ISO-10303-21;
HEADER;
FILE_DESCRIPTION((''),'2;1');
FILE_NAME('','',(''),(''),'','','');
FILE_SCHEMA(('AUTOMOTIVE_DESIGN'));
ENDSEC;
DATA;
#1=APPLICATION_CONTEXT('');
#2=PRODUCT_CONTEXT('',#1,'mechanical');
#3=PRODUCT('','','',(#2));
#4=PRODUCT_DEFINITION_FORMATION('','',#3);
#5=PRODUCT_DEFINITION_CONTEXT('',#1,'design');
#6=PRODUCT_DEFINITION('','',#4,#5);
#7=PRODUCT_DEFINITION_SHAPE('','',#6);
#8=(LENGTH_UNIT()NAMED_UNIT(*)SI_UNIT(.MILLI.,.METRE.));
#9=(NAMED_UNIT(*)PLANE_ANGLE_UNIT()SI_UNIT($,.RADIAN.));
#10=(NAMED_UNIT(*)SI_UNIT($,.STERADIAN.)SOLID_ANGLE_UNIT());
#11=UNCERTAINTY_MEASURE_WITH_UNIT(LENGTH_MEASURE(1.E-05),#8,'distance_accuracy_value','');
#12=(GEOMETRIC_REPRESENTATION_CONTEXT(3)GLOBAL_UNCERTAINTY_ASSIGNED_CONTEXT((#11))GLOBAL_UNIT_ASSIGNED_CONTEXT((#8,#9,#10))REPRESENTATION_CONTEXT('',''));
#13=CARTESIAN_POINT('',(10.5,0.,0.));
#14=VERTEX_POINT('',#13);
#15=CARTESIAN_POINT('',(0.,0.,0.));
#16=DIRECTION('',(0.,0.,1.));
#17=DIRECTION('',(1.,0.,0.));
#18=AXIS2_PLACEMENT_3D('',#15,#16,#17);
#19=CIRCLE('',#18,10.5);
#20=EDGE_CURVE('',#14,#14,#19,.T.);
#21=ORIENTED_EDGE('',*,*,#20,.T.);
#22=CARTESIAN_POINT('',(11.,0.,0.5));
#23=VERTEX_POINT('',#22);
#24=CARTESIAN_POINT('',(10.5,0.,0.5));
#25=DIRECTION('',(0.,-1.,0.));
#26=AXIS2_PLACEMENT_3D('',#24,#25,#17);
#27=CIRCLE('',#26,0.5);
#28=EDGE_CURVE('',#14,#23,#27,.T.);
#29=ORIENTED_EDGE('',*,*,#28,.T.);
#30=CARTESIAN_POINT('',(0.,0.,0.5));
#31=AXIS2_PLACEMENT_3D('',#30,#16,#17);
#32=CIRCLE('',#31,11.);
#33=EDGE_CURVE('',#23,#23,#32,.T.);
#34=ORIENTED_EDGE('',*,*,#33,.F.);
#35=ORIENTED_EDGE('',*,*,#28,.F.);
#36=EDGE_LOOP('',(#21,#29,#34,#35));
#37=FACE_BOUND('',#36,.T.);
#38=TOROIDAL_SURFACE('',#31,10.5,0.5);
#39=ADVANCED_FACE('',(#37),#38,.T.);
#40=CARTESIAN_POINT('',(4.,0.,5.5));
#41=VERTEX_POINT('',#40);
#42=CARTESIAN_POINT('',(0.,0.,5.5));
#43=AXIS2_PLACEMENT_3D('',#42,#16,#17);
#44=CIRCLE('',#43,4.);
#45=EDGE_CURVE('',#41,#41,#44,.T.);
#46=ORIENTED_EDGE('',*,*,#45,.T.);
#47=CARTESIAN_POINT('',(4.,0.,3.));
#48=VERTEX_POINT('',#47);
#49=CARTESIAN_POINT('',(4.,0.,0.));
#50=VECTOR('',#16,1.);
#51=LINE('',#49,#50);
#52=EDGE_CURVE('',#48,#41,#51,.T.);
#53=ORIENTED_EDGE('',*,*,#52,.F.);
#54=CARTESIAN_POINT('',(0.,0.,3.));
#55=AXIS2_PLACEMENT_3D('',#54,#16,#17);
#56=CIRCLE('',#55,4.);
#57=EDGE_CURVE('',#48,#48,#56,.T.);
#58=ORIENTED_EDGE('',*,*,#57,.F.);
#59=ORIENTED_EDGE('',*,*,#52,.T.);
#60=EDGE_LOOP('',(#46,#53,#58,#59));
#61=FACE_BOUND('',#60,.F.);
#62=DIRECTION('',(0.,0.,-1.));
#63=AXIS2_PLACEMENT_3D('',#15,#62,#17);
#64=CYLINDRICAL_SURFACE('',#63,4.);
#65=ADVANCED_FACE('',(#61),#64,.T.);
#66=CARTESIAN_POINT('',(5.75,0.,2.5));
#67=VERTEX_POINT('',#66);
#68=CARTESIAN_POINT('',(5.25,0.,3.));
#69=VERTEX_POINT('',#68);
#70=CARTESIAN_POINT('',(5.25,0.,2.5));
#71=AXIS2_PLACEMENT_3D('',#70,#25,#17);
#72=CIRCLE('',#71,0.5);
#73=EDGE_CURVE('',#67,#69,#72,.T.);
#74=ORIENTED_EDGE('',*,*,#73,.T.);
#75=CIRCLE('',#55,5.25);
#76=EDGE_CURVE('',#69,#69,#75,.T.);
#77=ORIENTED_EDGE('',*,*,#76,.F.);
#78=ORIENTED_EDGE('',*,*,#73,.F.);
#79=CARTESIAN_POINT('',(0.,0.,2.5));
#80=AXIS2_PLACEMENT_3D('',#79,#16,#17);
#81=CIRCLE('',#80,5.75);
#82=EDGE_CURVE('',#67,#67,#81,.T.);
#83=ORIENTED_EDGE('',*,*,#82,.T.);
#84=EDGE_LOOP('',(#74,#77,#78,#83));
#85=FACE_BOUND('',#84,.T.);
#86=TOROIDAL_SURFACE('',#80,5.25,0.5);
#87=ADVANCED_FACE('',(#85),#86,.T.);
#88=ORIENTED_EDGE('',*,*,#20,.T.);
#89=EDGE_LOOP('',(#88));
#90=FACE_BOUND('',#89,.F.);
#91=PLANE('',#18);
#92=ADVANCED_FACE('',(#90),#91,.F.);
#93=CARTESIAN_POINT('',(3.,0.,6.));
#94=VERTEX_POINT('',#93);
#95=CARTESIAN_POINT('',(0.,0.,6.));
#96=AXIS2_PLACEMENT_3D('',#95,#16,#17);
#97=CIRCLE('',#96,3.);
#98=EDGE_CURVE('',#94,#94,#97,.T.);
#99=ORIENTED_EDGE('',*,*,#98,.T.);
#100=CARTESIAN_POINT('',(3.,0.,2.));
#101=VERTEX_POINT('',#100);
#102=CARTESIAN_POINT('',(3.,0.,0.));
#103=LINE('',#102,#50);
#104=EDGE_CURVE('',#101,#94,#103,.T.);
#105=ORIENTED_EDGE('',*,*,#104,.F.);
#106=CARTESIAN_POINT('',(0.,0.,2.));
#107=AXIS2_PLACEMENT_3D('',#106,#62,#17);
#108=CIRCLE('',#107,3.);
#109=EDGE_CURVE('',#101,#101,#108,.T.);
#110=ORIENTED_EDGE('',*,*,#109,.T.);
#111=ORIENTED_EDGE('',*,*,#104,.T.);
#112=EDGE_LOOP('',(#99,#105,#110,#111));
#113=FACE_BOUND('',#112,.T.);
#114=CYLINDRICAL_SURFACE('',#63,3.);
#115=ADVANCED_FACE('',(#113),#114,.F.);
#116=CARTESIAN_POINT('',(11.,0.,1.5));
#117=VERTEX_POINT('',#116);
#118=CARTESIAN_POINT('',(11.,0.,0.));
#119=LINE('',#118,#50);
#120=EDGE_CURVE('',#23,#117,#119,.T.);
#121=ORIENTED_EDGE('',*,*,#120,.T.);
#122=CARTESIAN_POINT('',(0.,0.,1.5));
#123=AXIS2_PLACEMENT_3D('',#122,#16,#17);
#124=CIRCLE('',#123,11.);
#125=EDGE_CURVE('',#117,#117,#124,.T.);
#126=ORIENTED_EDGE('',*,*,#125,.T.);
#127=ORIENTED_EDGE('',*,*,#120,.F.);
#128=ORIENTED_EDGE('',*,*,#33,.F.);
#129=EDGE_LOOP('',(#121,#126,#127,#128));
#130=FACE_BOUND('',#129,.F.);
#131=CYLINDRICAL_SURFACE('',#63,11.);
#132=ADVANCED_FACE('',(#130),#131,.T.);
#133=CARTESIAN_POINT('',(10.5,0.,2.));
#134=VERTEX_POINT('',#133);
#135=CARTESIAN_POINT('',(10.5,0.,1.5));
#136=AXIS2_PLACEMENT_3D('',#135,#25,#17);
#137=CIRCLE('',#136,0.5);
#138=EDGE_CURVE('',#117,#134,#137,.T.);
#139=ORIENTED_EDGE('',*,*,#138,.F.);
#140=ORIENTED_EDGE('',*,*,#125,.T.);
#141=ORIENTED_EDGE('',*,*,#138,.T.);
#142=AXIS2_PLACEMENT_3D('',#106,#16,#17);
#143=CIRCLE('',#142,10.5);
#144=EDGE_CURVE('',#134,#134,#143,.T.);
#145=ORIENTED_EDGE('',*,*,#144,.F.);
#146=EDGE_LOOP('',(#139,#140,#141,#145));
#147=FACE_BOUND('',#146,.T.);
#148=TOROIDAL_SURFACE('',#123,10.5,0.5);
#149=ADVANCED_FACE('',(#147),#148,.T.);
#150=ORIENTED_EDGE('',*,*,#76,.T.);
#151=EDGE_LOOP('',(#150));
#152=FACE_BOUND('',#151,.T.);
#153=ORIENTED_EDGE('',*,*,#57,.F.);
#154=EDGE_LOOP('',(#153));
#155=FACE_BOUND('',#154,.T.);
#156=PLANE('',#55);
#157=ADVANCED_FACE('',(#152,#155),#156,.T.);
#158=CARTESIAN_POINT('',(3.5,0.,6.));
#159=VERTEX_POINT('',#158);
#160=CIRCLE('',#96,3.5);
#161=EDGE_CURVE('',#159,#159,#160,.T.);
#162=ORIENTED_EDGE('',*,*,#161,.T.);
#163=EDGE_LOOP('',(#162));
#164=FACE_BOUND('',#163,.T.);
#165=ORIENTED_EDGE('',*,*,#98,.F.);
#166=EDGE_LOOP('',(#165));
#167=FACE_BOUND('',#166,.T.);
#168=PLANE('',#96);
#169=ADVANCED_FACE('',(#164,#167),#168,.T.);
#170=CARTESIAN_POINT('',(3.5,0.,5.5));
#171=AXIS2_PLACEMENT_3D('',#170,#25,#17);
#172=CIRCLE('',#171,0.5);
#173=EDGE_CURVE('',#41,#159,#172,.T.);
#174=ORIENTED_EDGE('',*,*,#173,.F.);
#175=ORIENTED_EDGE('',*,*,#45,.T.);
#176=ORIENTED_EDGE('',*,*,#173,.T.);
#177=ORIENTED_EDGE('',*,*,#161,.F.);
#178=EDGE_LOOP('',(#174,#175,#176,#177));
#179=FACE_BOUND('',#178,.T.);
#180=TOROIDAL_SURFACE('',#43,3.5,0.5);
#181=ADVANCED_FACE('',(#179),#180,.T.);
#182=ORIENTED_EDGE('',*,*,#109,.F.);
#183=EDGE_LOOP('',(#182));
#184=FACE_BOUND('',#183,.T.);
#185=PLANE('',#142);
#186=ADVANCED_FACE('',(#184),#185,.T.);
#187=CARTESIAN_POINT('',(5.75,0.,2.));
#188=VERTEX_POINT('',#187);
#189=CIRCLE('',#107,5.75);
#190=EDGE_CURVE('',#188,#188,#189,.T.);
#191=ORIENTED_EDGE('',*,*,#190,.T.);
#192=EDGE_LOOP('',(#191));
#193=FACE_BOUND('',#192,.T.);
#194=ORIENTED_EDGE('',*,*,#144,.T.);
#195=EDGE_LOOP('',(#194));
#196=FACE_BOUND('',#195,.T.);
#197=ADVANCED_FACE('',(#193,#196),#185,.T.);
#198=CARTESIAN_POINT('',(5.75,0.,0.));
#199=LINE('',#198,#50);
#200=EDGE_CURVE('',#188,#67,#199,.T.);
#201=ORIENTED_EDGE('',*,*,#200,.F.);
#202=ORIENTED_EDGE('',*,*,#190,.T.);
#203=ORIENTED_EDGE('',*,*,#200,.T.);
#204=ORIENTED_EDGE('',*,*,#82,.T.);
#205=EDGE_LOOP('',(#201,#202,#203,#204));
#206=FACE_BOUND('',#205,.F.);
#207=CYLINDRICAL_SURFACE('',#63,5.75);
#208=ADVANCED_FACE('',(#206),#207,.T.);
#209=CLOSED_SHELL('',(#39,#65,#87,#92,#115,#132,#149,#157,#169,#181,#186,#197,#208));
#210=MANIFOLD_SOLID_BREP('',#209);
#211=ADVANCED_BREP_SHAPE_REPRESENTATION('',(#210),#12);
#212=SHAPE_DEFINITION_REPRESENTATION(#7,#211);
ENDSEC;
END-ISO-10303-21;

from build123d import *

# Parameters (mm, degrees)
F0_R     = 11
F0_R_2   = 5.75
F0_R_3   = 4
F0_R_4   = 3
F1_DEPTH = 2
F2_DEPTH = 3
F3_DEPTH = 6
F4_R     = 0.5


with BuildPart() as f1:
    # F0 (on Top) → F1 (new body)
    with BuildSketch(Plane.XY):
        Circle(F0_R)
        Circle(F0_R_2, mode=Mode.SUBTRACT)
        Circle(F0_R_2)
        Circle(F0_R_3, mode=Mode.SUBTRACT)
        Circle(F0_R_3)
        Circle(F0_R_4, mode=Mode.SUBTRACT)
        Circle(F0_R_4)
    extrude(amount=F1_DEPTH)

    # F0 (on Top) → F2 (join)
    with BuildSketch(Plane.XY):
        Circle(F0_R_2)
        Circle(F0_R_3, mode=Mode.SUBTRACT)
    extrude(amount=F2_DEPTH)

    # F0 (on Top) → F3 (join)
    with BuildSketch(Plane.XY):
        Circle(F0_R_3)
        Circle(F0_R_4, mode=Mode.SUBTRACT)
    extrude(amount=F3_DEPTH)

    # F4
    f4_edges = [f1.edges().sort_by_distance(p)[0] for p in [
        (-4, 0, 6),
        (-5.75, 0, 3),
        (-11, 0, 2),
        (-11, 0, 0),
    ]]
    fillet(f4_edges, radius=F4_R)


solid = f1.part
